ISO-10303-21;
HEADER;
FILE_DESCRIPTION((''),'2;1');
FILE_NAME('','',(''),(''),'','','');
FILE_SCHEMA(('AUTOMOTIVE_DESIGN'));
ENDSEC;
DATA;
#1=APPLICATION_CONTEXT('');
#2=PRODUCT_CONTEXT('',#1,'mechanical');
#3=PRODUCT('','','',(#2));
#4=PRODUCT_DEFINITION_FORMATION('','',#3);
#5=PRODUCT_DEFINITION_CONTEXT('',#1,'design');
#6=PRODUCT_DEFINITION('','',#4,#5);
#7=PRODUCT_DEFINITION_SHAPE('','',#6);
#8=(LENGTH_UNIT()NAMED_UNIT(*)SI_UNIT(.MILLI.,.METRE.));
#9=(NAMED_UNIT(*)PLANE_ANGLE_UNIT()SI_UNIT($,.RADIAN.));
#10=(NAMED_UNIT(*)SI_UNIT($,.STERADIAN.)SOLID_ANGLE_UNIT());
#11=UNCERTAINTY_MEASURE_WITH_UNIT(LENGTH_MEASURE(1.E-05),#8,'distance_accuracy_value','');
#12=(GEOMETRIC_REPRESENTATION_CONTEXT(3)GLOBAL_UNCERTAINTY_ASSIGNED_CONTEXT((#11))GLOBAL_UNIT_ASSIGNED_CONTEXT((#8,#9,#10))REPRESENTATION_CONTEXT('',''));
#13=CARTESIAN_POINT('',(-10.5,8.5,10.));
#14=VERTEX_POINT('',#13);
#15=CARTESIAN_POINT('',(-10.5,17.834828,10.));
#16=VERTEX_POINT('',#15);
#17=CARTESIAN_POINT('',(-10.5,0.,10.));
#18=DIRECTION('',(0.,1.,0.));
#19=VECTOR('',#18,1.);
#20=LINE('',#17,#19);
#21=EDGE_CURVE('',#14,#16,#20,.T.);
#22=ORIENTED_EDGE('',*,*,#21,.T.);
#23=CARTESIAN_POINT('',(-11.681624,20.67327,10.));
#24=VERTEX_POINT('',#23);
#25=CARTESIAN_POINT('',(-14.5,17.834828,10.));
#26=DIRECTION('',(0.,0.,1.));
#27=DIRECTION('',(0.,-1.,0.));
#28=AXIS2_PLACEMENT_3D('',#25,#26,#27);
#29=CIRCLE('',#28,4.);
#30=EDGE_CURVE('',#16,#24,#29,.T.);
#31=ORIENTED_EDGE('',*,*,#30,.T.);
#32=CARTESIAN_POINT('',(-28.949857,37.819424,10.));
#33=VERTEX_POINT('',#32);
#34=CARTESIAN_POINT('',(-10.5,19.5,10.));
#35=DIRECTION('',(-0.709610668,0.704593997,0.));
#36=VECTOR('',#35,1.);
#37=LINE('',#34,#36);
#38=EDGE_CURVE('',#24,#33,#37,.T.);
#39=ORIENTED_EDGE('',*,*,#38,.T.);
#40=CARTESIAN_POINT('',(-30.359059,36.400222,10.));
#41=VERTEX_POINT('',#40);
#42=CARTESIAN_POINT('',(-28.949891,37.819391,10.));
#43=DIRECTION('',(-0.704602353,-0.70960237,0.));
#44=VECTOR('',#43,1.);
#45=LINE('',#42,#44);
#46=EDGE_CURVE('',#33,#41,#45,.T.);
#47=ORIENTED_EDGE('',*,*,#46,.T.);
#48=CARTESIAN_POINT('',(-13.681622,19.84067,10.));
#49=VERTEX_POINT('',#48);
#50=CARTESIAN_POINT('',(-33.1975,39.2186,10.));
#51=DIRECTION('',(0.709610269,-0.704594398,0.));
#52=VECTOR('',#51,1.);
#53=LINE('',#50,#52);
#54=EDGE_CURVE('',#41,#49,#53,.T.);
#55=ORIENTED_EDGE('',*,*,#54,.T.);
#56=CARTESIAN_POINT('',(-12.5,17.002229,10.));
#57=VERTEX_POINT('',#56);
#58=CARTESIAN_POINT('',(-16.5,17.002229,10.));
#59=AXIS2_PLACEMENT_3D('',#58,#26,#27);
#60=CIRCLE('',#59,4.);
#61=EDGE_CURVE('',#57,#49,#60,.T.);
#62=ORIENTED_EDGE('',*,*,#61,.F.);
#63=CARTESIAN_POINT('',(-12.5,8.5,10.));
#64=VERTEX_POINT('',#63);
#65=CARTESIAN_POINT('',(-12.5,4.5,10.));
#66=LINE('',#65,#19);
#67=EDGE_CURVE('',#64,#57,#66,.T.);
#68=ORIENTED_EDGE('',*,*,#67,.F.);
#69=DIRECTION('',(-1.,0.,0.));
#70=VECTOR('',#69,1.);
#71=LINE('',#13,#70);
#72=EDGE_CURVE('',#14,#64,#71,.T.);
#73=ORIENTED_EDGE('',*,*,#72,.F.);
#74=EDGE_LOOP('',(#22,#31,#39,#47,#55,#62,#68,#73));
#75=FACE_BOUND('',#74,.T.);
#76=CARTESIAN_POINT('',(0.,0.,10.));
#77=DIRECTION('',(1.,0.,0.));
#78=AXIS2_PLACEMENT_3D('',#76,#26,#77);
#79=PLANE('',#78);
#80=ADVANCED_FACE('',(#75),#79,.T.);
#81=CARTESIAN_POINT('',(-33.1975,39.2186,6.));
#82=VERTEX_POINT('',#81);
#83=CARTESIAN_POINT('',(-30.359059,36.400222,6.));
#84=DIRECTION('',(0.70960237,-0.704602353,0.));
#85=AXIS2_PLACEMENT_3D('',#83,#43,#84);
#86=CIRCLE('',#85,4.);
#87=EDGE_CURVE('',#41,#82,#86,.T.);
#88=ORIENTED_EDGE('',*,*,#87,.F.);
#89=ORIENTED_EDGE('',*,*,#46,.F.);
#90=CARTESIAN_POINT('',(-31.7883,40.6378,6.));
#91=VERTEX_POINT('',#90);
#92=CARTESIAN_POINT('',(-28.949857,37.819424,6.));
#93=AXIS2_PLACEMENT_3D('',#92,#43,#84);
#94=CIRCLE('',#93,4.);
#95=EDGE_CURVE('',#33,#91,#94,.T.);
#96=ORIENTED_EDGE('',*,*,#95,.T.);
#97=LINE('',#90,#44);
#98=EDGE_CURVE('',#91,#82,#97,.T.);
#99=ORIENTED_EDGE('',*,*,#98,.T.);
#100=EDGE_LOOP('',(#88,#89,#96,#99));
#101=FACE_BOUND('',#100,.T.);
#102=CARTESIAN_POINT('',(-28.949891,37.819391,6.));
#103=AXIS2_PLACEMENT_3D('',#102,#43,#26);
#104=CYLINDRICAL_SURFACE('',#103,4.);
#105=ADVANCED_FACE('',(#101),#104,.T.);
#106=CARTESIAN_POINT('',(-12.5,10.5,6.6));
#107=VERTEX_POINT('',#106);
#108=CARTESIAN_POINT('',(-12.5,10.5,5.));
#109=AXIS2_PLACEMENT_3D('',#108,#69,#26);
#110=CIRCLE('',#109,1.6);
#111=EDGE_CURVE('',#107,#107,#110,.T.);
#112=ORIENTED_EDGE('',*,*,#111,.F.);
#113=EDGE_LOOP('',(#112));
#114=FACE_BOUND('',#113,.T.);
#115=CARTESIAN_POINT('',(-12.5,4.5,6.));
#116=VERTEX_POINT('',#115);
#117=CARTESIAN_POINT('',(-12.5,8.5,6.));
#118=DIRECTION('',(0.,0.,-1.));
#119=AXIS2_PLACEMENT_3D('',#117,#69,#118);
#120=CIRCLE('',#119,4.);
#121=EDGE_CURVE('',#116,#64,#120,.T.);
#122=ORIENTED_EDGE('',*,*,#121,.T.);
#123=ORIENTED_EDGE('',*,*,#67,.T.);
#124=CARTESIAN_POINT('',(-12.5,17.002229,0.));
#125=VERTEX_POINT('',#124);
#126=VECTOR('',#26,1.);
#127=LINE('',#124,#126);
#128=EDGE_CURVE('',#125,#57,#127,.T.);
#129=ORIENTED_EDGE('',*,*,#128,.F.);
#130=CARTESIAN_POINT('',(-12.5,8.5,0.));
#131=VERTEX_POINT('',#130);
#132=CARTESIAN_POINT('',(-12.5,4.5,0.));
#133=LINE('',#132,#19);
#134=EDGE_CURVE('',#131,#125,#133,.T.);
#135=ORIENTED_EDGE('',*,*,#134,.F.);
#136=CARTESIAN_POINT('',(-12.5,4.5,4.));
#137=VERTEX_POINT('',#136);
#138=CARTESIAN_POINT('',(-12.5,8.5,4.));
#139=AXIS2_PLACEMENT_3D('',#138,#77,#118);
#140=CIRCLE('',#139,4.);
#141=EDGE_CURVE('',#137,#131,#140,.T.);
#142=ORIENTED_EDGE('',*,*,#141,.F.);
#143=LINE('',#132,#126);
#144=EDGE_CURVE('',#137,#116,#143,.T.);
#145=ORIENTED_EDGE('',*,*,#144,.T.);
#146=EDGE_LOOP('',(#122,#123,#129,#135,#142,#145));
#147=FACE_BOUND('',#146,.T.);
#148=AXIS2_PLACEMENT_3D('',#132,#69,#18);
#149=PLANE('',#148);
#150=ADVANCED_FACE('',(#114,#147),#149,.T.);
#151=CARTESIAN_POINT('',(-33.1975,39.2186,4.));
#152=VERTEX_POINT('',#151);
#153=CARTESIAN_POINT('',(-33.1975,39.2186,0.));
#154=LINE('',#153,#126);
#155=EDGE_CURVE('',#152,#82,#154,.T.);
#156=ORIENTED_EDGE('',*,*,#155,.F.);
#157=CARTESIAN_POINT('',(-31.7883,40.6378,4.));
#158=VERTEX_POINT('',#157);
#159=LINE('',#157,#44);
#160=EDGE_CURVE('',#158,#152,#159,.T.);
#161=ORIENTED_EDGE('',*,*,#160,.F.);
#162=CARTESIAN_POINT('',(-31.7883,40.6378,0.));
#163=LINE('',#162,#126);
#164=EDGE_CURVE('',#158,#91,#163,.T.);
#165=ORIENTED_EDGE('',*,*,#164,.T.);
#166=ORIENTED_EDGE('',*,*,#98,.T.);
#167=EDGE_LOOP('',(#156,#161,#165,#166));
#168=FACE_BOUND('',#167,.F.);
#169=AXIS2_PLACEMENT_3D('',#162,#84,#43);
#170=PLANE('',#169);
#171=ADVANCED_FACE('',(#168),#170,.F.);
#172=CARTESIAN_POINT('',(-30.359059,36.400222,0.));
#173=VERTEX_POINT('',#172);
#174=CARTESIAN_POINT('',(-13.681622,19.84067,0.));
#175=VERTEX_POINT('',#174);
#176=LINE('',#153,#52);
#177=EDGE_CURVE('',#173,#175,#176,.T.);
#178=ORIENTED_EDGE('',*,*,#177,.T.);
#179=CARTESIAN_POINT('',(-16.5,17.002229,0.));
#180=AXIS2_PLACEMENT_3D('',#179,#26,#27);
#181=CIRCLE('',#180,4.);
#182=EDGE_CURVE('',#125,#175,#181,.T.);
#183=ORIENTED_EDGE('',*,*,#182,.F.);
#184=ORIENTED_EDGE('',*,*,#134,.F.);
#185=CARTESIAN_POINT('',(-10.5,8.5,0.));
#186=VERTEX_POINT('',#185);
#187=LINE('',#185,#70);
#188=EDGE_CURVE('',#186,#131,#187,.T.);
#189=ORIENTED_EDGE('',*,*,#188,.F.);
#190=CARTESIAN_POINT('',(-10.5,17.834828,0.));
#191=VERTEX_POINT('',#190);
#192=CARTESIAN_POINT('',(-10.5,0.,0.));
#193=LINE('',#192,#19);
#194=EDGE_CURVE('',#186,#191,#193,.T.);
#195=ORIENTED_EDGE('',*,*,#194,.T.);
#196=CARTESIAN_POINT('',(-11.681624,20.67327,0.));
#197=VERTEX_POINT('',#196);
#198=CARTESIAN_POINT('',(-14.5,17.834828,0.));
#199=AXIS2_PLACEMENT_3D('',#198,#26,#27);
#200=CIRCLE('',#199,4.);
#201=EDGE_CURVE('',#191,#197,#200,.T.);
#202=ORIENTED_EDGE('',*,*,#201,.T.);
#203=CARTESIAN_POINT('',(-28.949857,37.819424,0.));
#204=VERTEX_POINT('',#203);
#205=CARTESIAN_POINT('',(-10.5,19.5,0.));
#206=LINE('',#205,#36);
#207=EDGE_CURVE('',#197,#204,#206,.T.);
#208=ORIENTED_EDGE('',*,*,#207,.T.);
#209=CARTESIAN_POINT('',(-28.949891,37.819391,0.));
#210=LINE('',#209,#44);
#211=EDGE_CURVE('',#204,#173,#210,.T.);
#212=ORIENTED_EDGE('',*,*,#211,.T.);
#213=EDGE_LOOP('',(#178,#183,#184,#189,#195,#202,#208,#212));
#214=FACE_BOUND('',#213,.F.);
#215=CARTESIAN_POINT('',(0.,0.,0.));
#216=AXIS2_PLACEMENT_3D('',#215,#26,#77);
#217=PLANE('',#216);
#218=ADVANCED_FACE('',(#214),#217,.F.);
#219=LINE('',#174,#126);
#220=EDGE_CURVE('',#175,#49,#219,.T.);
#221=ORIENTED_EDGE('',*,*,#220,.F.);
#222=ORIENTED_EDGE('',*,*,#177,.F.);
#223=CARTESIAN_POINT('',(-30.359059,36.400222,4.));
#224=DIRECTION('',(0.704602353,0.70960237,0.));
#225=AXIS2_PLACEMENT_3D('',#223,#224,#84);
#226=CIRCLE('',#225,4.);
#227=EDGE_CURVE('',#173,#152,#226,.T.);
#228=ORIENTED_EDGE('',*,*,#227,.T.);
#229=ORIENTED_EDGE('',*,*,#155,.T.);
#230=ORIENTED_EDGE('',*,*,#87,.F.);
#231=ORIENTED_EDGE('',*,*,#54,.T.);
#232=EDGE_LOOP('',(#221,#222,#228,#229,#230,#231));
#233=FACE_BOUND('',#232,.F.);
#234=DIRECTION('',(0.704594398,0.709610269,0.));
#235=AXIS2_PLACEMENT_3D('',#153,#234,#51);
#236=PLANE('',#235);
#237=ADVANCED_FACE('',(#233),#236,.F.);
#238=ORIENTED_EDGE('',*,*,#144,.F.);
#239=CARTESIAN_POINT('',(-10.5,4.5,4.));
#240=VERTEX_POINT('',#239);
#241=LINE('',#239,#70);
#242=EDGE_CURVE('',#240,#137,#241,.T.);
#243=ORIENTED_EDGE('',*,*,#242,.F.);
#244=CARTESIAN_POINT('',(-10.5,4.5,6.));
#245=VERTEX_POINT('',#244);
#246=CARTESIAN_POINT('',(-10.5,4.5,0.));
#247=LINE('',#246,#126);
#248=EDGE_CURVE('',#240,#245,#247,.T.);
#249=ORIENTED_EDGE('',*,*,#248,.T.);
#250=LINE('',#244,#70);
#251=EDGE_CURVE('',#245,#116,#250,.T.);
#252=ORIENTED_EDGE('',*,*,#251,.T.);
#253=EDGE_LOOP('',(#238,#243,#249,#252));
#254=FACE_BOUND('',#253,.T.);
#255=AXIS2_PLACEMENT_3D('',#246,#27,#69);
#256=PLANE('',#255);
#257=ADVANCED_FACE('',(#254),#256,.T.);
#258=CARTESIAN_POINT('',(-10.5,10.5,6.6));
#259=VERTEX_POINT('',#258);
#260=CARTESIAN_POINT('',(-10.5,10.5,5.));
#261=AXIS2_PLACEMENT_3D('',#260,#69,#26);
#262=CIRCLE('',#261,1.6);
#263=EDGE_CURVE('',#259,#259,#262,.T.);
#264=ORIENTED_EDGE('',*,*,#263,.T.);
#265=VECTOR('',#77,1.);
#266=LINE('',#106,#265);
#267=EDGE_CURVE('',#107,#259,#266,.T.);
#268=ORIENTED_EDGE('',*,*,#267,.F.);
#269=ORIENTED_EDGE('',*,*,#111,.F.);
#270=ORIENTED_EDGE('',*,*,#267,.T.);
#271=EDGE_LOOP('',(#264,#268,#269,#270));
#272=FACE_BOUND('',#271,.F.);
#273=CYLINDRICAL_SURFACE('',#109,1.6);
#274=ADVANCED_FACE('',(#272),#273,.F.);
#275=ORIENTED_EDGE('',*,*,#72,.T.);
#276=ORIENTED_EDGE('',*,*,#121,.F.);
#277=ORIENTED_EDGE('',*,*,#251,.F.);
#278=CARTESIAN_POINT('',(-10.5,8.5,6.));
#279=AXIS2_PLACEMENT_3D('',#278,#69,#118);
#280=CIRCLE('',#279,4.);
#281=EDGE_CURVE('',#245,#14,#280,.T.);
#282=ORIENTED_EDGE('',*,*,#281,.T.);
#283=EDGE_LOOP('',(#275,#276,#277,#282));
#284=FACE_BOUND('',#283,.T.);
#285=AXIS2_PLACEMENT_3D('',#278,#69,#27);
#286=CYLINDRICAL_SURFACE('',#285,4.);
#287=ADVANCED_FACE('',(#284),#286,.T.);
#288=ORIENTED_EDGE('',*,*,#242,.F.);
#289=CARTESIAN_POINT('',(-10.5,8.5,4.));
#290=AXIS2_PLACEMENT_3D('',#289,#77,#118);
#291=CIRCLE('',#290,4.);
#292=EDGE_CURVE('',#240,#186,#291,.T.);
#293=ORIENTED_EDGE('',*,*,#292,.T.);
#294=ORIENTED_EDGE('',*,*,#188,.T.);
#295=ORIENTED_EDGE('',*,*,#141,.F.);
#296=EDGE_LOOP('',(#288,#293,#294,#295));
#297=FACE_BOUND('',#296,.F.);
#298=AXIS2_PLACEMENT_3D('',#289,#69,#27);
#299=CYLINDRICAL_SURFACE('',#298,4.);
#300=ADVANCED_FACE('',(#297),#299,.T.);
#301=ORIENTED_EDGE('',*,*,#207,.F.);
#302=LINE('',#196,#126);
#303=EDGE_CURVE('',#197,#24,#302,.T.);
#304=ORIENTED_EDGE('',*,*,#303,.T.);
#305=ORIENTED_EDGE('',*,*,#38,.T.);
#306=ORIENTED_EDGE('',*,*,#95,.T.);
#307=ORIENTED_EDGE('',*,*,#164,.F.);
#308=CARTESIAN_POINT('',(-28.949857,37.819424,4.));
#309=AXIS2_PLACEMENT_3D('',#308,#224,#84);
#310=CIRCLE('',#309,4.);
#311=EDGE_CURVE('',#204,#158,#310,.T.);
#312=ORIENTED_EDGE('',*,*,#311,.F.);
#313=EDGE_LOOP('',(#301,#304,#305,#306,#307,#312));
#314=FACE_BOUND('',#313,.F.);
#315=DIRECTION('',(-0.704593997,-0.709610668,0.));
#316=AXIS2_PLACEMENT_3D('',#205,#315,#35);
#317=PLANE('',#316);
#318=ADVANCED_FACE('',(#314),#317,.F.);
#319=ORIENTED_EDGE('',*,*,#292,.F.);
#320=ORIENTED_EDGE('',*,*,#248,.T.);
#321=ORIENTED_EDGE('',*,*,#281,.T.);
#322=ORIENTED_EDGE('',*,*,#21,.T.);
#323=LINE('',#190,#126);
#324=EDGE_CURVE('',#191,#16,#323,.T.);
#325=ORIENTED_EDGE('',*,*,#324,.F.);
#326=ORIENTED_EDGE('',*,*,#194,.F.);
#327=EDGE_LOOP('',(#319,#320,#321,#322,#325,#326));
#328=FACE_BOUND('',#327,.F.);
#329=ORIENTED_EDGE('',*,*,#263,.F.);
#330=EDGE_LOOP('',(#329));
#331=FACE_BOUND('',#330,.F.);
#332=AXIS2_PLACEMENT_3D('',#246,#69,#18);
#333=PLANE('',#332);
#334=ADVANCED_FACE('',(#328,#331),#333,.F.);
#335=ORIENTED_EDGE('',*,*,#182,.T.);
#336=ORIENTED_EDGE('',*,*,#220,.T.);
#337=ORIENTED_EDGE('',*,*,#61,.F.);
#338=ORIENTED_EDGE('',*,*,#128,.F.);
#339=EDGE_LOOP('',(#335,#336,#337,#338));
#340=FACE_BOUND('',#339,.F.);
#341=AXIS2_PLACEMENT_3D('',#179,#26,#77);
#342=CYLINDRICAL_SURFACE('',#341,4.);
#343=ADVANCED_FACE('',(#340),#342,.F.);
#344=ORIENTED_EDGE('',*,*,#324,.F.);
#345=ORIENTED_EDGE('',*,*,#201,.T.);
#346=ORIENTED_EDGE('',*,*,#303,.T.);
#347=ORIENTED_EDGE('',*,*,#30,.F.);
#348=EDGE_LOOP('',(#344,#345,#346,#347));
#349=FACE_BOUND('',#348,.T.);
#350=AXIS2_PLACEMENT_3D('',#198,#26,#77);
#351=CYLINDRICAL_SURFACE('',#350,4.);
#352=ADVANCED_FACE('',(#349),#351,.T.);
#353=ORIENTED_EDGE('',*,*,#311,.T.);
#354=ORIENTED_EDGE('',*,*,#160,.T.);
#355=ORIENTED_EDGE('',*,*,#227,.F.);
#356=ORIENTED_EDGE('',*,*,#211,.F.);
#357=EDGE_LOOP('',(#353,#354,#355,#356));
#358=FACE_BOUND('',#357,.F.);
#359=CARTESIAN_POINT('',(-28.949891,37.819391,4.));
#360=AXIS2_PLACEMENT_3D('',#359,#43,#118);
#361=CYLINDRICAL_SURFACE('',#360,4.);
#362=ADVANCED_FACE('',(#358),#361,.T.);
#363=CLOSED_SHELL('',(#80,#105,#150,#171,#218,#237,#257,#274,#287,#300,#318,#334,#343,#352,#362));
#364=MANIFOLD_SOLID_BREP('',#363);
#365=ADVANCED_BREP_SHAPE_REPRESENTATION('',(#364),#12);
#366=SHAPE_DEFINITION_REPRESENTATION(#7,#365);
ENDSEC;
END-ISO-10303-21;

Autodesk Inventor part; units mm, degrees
ref_plane "YZ Plane" through (0, 0, 0) normal (1, 0, 0) x (0, 1, 0)
ref_plane "XZ Plane" through (0, 0, 0) normal (0, 1, 0) x (-1, 0, 0)
ref_plane "XY Plane" through (0, 0, 0) normal (0, 0, 1) x (1, 0, 0)
ref_plane "Arbeitsebene1" through (0, 0, 0) normal (0, 0, 1) x (1, 0, 0)
sketch "Skizze1" plane through (0, 0, 0) normal (0, 0, 1) x (1, 0, 0)
  line L0 (0, 10.5) -> (-10, 10.5)
  line L1 (0, 13.3) -> (-10, 13.3)
  line L2 (-10.5, 0) -> (-10.5, 117.8) projected
  line L3 (-10.5, 4.5) -> (-12.5, 4.5)
  line L4 (-12.5, 4.5) -> (-12.5, 19.5)
  line L5 (-12.5, 19.5) -> (-10.5, 19.5)
  line L6 (-10.5, 19.5) -> (-10.5, 4.5)
  line L7 (-10.5, 19.5) -> (-31.7883, 40.6378)
  line L8 (-31.7883, 40.6378) -> (-33.1975, 39.2186)
  line L9 (-33.1975, 39.2186) -> (-12.5, 18.6674)
  line L10 (-29.2442, 38.1116) -> (-8.6029, 58.9) construction
  line L11 (2, 58.9) -> (-12, 58.9)
  point P0 (0, 0)
  point P1 (-10.5, 19.5)
  dimension "d0" = 2
  dimension "d1" = 15
  dimension "d2" = 6
  dimension "d3" = 2
  dimension "d4" = 30
  dimension "d5" = 90
extrude "Extrusion1" add sketch "Skizze1" along normal blind 10
fillet "Rundung1" radius 4 6 edges at (-12.5, 18.6674, 5) (-10.5, 19.5, 5) (-11.5, 4.5, 10) (-11.5, 4.5, 0) (-32.4929, 39.9282, 10) (-32.4929, 39.9282, 0)
sketch "Skizze2" plane through (-12.5, 8.5, 0) normal (-1, 0, 0) x (0, 0, 1)
  arc A0 (0, 0) -> (4, -4) centre (4, 0) ccw projected
  line L0 (4, -4) -> (6, -4) projected
  arc A1 (6, -4) -> (10, 0) centre (6, 0) ccw projected
  line L1 (10, 8.5022) -> (10, 0) projected
  line L2 (0, 8.5022) -> (10, 8.5022) projected
  line L3 (0, 8.5022) -> (0, 0) projected
  circle A2 centre (5, 2) radius 1.6
  point P0 (0, -8.5)
  dimension "d9" = 3.2
  dimension "d10" = 6
extrude "Extrusion2" cut sketch "Skizze2" against normal blind 10 contours A2
properties part number "30_Cameraholder"
